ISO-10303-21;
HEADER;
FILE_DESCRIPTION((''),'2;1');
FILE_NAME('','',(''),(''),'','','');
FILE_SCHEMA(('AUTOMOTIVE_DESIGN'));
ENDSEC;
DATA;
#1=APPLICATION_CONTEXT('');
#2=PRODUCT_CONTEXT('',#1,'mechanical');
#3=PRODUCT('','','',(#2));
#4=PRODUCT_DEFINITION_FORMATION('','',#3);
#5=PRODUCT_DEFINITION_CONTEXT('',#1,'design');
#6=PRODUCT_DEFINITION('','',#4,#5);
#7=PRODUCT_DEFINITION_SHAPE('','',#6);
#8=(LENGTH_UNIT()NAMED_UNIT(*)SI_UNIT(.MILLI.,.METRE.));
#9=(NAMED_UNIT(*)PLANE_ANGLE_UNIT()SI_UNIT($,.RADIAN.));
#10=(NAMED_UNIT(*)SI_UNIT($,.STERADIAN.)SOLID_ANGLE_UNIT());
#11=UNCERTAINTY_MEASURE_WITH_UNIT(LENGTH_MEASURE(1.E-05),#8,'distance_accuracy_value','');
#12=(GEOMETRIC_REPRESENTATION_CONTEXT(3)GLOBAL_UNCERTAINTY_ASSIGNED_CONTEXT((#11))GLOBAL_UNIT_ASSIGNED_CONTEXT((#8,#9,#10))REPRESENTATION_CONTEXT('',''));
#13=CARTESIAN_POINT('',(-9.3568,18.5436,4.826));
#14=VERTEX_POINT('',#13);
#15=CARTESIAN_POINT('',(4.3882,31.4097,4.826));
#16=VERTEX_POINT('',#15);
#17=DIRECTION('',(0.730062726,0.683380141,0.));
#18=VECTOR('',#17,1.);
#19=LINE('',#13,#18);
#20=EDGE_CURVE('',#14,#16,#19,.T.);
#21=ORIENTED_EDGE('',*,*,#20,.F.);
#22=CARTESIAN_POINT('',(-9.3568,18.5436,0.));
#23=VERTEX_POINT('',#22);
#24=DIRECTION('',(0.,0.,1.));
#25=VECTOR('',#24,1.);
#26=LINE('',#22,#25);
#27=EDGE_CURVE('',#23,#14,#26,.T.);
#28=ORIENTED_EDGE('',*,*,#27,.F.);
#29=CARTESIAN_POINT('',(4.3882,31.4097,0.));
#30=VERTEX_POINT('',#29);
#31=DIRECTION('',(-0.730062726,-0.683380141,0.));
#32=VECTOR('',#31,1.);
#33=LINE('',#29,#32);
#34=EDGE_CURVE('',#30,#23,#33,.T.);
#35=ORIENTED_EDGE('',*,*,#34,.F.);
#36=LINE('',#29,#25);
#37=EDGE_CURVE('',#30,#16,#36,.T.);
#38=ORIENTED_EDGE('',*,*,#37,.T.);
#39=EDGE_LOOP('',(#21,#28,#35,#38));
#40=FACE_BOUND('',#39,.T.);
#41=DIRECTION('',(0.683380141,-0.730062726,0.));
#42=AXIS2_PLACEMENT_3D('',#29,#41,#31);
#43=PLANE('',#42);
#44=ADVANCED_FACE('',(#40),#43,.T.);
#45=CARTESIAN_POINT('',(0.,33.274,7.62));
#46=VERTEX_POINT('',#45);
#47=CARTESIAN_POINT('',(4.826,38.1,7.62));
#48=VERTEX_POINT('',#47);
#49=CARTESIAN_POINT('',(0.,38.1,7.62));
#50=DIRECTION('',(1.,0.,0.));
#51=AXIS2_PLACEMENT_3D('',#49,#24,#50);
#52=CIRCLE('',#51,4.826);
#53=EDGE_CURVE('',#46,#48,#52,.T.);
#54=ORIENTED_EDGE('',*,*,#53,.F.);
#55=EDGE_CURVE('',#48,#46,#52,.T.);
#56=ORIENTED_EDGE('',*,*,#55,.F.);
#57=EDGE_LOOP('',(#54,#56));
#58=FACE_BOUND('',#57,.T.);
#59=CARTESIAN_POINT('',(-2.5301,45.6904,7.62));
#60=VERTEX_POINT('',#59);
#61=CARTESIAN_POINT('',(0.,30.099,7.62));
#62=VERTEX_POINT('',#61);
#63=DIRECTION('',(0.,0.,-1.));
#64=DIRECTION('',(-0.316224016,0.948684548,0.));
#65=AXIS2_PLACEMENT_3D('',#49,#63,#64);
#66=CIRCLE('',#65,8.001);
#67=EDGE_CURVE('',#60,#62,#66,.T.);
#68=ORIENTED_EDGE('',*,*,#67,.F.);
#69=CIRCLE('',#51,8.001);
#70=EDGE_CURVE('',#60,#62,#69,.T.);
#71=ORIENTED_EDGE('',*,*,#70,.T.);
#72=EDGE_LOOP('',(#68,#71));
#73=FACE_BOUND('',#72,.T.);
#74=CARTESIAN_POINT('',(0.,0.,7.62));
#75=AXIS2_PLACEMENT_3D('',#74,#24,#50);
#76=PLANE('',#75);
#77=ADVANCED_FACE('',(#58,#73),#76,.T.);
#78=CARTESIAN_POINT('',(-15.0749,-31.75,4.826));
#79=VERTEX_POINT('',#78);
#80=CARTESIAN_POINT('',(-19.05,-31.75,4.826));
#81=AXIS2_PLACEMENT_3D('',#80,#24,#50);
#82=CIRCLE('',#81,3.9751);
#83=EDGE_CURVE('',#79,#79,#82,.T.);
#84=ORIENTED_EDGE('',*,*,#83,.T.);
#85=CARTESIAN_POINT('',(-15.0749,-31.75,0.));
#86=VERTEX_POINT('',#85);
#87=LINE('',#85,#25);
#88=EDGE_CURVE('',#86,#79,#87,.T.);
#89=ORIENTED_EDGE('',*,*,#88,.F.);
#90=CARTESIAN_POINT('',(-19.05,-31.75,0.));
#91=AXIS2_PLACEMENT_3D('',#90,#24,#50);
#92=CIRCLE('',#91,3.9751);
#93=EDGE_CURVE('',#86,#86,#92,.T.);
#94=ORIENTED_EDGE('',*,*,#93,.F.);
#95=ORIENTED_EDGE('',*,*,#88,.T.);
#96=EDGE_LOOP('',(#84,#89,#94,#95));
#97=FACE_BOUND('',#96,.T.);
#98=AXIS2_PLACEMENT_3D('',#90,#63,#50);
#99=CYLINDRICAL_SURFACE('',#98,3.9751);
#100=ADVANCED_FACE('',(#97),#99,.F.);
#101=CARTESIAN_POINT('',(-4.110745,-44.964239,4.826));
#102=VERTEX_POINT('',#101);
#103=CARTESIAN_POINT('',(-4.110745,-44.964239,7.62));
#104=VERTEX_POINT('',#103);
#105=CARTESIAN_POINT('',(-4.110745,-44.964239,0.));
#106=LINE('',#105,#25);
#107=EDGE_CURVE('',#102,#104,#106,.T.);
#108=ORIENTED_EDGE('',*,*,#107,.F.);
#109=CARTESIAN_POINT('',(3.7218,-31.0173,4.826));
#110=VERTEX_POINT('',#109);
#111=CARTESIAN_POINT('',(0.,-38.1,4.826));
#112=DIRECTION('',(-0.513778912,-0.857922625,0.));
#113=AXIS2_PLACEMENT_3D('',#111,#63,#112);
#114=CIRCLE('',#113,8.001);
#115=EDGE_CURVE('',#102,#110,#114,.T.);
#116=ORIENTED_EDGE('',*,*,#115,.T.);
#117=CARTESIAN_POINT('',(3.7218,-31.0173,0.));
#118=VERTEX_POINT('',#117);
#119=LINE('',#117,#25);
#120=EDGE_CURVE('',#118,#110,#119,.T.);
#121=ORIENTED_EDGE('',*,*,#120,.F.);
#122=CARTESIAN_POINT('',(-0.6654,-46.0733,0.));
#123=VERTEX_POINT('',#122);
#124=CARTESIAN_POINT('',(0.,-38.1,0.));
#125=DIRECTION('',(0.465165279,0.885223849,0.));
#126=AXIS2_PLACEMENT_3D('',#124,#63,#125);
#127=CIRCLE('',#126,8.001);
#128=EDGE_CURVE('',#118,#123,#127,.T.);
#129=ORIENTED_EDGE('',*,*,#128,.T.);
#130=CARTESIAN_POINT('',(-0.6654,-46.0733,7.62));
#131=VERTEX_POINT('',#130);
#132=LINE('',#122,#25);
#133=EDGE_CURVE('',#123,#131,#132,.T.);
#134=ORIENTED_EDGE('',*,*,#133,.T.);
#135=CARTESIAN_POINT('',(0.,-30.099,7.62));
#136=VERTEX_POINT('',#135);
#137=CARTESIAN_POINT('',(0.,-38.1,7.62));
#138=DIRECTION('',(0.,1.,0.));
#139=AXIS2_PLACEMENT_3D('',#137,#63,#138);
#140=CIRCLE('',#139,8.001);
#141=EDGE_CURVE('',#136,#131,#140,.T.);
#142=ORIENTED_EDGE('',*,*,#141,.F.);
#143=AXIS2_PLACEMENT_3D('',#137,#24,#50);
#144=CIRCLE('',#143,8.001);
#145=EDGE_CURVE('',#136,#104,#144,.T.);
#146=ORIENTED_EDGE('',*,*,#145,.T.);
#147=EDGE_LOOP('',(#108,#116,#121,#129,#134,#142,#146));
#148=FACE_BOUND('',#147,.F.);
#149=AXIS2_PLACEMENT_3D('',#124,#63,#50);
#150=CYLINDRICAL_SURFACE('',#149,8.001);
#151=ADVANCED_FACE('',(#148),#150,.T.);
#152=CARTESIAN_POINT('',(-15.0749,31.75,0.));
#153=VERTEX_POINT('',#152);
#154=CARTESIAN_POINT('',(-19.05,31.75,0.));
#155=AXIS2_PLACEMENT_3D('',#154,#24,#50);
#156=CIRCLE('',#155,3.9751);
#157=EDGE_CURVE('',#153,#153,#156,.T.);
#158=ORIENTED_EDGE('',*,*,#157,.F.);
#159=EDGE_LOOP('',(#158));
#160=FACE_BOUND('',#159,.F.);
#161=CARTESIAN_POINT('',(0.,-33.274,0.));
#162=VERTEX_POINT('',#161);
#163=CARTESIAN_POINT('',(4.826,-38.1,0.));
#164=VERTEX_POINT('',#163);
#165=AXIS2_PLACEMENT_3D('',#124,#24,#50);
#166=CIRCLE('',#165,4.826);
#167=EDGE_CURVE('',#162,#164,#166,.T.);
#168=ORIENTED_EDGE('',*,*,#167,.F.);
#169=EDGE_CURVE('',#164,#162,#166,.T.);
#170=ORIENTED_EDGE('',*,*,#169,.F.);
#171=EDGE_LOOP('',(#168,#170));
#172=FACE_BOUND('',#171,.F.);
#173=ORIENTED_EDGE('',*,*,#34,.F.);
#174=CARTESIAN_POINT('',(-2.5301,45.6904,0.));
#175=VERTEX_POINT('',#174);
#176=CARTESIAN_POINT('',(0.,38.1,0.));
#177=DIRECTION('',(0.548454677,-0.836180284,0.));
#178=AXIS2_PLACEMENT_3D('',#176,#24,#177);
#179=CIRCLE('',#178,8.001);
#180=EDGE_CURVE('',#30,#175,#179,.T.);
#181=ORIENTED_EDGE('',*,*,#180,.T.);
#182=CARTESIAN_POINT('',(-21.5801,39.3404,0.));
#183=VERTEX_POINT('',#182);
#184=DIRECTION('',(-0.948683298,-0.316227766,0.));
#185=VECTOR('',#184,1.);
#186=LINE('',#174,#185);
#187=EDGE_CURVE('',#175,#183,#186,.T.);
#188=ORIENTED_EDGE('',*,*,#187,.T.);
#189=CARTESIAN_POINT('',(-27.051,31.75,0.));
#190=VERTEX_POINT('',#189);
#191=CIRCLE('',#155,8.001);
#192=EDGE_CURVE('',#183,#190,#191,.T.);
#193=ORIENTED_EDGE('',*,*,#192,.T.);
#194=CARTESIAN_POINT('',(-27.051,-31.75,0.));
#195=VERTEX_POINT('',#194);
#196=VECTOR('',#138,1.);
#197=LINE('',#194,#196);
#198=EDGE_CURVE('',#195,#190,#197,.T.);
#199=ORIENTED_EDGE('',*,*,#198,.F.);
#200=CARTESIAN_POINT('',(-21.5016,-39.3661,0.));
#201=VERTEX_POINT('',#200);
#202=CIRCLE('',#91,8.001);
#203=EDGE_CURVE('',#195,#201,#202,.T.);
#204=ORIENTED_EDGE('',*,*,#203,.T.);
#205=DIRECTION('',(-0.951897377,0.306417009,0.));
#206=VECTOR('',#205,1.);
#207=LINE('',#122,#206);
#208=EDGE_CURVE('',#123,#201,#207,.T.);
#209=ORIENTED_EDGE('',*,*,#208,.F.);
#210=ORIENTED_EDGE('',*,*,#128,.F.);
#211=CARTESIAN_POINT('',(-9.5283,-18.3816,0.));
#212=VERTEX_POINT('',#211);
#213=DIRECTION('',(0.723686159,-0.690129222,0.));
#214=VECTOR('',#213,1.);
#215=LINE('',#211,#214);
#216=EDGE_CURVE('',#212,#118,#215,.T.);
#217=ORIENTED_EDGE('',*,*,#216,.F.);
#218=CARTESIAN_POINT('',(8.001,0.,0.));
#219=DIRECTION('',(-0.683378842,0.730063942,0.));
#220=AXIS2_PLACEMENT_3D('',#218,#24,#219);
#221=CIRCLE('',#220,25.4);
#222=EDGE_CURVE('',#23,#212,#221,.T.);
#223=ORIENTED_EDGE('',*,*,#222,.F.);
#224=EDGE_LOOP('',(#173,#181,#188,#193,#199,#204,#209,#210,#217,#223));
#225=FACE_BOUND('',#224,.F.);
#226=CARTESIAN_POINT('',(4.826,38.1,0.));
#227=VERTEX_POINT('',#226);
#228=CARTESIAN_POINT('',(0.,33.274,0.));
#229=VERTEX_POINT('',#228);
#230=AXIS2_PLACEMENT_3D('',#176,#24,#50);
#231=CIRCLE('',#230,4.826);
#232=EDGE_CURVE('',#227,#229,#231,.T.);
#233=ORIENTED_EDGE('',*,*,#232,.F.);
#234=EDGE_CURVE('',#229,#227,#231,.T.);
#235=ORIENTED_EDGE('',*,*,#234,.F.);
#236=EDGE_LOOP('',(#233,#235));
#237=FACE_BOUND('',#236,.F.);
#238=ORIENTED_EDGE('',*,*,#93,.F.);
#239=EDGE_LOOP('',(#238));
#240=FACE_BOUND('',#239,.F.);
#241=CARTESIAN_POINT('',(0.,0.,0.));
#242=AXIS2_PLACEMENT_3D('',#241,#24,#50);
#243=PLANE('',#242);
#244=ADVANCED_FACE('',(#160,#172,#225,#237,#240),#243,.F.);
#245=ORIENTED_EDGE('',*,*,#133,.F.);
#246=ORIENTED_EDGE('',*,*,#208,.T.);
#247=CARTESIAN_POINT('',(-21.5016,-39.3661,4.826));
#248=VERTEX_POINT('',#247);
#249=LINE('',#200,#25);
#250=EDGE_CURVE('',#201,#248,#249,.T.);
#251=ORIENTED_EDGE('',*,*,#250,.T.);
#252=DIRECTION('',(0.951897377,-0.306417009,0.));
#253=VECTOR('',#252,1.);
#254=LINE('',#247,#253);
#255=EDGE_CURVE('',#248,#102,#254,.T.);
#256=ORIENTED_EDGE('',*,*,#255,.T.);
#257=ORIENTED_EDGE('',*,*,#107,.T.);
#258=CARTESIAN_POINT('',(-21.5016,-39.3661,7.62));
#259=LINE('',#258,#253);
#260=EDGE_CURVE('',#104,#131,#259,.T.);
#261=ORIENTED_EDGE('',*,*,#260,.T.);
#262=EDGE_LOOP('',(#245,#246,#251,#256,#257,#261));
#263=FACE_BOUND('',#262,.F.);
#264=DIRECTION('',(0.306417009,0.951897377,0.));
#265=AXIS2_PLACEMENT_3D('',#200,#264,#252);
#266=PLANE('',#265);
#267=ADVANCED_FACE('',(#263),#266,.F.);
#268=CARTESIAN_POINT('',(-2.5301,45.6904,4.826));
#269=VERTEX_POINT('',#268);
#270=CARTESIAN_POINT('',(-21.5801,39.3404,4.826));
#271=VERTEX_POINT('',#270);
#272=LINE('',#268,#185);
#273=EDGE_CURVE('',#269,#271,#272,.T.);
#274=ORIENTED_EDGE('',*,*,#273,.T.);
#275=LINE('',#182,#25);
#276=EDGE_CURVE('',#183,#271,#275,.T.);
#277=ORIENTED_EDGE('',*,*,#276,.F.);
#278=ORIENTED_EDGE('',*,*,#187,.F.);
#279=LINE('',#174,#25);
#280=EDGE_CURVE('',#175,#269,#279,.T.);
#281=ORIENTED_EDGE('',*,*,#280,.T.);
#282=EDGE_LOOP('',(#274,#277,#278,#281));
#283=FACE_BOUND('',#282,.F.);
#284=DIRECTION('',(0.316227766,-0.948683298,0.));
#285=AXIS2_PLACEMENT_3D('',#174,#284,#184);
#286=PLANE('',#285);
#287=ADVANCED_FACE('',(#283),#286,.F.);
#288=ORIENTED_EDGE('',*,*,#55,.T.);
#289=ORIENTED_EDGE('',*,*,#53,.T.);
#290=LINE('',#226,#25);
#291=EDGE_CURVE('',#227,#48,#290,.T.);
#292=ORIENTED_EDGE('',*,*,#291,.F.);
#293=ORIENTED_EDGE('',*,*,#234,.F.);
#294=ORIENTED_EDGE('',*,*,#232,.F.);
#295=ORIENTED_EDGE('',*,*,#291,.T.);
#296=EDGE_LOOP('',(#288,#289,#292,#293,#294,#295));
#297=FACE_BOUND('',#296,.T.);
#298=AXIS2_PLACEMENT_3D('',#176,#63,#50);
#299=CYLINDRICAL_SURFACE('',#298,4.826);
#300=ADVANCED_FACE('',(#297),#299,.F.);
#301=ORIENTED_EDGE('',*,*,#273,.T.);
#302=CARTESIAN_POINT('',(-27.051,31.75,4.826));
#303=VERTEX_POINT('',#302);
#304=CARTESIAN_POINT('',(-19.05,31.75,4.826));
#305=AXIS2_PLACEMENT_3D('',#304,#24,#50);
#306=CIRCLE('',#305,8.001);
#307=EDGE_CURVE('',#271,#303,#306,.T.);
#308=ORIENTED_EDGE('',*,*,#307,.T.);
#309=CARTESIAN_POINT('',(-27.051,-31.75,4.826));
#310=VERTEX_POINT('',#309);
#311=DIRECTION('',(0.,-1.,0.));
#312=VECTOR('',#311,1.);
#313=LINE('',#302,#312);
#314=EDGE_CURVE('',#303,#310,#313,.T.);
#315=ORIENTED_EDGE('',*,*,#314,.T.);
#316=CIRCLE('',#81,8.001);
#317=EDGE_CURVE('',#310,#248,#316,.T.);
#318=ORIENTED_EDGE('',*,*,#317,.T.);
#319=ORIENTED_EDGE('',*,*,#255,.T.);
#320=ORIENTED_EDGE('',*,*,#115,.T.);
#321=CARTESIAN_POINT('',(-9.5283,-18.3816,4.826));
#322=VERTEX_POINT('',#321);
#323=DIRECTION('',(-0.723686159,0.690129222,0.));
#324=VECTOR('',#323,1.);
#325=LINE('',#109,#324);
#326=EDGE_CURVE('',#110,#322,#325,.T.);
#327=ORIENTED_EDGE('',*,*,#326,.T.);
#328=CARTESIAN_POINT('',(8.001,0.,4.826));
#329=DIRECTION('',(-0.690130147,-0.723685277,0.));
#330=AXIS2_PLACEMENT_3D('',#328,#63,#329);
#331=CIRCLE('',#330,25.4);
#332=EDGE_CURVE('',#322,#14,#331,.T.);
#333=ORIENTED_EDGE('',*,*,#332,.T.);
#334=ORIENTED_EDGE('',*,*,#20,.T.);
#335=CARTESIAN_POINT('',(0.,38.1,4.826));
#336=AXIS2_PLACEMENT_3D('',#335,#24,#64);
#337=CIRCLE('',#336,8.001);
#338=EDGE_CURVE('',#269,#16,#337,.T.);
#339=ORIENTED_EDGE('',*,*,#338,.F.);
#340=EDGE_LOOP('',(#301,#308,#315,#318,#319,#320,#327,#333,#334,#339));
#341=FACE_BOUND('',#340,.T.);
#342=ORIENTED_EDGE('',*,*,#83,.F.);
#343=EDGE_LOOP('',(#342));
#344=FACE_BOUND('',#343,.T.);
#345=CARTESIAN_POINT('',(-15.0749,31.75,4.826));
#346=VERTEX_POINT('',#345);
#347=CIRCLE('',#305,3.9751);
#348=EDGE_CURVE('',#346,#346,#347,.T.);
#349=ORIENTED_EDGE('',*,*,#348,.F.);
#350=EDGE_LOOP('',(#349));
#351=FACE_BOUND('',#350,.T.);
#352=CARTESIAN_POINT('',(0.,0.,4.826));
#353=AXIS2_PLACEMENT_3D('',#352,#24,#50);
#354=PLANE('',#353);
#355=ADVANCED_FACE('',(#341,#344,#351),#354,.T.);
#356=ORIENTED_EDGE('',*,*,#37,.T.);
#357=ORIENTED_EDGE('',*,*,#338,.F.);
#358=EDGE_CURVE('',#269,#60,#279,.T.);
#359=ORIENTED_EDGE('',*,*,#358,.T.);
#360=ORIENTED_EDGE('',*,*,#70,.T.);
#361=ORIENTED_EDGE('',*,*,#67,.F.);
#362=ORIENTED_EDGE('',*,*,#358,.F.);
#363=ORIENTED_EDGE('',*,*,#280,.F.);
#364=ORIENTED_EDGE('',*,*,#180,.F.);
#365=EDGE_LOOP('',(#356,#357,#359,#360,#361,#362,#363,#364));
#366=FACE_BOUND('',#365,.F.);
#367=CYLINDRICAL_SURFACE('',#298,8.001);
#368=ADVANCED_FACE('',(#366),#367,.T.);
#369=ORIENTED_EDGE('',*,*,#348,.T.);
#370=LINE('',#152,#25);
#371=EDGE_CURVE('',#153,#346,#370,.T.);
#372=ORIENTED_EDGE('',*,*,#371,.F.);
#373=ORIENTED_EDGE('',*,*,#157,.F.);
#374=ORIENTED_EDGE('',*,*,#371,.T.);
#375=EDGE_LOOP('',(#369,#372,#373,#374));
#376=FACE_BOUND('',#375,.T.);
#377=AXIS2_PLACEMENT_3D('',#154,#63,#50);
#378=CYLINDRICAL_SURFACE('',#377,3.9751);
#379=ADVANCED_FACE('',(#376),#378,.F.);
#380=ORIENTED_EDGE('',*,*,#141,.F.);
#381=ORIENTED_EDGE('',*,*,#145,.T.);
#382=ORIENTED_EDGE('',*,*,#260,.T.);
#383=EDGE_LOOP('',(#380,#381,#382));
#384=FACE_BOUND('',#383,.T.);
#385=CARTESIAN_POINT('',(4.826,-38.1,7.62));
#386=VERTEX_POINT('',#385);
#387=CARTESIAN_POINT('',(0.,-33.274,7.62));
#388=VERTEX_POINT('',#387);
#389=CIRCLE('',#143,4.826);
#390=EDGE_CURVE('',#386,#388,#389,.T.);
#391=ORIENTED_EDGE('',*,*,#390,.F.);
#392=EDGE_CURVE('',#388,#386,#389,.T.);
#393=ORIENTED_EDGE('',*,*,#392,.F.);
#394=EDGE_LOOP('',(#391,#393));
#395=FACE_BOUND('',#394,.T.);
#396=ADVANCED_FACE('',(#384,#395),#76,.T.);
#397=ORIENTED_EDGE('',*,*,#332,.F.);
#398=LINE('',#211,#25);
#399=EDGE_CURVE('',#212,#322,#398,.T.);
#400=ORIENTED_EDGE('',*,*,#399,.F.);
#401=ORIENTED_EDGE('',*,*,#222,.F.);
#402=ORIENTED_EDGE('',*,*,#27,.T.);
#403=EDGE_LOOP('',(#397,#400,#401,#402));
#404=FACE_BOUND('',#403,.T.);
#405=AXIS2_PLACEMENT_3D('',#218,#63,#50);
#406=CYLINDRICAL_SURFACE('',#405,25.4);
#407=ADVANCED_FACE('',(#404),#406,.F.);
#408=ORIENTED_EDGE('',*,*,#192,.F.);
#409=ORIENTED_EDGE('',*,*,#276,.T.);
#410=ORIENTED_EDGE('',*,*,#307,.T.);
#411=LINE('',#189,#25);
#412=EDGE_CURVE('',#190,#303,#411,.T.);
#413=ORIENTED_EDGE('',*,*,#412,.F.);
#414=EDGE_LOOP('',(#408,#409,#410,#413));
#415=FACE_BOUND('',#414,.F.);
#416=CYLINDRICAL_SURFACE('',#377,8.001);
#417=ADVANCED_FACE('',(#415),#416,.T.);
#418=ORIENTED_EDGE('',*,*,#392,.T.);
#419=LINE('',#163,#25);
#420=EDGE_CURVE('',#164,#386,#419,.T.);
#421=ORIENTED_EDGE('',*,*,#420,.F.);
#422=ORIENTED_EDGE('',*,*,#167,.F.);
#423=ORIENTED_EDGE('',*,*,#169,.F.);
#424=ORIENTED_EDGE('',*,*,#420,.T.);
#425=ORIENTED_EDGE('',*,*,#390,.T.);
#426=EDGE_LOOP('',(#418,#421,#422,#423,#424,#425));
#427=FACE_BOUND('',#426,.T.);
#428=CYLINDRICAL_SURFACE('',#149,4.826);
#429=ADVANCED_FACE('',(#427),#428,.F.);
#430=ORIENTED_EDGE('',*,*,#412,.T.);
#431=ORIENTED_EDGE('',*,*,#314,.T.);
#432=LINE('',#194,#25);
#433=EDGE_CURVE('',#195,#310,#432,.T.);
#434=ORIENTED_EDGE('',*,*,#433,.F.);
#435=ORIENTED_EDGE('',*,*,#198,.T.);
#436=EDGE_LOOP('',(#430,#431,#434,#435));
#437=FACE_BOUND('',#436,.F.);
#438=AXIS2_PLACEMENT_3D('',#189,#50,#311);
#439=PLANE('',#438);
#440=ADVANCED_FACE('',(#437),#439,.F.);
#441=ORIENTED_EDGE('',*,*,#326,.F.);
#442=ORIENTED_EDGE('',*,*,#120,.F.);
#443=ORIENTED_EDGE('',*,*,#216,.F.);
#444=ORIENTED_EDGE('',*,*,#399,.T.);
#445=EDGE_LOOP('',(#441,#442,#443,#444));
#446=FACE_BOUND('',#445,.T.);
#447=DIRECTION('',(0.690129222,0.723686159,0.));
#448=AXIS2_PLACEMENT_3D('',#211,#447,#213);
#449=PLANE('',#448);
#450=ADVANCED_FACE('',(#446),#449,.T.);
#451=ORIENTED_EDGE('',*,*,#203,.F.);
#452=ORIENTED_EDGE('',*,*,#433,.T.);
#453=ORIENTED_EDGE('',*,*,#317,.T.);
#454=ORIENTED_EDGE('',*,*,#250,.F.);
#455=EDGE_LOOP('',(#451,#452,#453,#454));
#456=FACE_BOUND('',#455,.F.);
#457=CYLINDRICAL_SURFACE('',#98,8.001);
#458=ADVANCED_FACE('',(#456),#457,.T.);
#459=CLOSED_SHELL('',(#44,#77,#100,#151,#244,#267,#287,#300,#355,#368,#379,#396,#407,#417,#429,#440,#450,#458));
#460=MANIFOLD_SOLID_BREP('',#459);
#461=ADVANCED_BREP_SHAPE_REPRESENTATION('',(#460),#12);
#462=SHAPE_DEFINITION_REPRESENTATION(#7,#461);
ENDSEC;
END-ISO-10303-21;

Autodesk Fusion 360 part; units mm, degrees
sketch "Sketch1" plane through (0, 0, 0) normal (0, 0, 1) x (1, 0, 0)
  line L0 (0, 38.1) -> (0, -38.1)
  line L1 (-63.5, 0) -> (0, 0)
  circle A0 centre (0, 38.1) radius 4.826
  circle A1 centre (0, 38.1) radius 8.001
  circle A2 centre (-19.05, 31.75) radius 3.9751
  circle A3 centre (-19.05, 31.75) radius 8.001
  circle A4 centre (-19.05, -31.75) radius 3.9751
  circle A5 centre (-19.05, -31.75) radius 8.001
  circle A6 centre (0, -38.1) radius 4.826
  circle A7 centre (0, -38.1) radius 8.001
  circle A8 centre (8.001, 0) radius 25.4
  line L2 (4.3882, 31.4097) -> (-9.3568, 18.5436)
  line L3 (-27.051, 31.75) -> (-27.051, -31.75)
  line L4 (-21.5016, -39.3661) -> (-0.6654, -46.0733)
  line L5 (-2.5301, 45.6904) -> (-21.5801, 39.3404)
  line L6 (-9.5283, -18.3816) -> (3.7218, -31.0173)
  dimension "d1" = 76.2
  dimension "d2" = 9.652
  dimension "d3" = 16.002
  dimension "d4" = 7.9502
  dimension "d5" = 16.002
  dimension "d6" = 19.05
  dimension "d7" = 6.35
  dimension "d8" = 50.8
extrude "Extrude1" add sketch "Sketch1" along normal blind 4.826 contours A1 | L0 A1 L2 | L0 L1 A1 A3 A8 L2 L3 L5 | A3 | L0 L1 A5 A7 A8 L3 L4 L6 | L0 A7 L6 | A5 | A7 L4 picked at (-2.134, -44.5605)
extrude "Extrude2" add sketch "Sketch1" along normal blind 7.62 contours A1 | A7 L4 picked at (-2.134, -44.5605)
